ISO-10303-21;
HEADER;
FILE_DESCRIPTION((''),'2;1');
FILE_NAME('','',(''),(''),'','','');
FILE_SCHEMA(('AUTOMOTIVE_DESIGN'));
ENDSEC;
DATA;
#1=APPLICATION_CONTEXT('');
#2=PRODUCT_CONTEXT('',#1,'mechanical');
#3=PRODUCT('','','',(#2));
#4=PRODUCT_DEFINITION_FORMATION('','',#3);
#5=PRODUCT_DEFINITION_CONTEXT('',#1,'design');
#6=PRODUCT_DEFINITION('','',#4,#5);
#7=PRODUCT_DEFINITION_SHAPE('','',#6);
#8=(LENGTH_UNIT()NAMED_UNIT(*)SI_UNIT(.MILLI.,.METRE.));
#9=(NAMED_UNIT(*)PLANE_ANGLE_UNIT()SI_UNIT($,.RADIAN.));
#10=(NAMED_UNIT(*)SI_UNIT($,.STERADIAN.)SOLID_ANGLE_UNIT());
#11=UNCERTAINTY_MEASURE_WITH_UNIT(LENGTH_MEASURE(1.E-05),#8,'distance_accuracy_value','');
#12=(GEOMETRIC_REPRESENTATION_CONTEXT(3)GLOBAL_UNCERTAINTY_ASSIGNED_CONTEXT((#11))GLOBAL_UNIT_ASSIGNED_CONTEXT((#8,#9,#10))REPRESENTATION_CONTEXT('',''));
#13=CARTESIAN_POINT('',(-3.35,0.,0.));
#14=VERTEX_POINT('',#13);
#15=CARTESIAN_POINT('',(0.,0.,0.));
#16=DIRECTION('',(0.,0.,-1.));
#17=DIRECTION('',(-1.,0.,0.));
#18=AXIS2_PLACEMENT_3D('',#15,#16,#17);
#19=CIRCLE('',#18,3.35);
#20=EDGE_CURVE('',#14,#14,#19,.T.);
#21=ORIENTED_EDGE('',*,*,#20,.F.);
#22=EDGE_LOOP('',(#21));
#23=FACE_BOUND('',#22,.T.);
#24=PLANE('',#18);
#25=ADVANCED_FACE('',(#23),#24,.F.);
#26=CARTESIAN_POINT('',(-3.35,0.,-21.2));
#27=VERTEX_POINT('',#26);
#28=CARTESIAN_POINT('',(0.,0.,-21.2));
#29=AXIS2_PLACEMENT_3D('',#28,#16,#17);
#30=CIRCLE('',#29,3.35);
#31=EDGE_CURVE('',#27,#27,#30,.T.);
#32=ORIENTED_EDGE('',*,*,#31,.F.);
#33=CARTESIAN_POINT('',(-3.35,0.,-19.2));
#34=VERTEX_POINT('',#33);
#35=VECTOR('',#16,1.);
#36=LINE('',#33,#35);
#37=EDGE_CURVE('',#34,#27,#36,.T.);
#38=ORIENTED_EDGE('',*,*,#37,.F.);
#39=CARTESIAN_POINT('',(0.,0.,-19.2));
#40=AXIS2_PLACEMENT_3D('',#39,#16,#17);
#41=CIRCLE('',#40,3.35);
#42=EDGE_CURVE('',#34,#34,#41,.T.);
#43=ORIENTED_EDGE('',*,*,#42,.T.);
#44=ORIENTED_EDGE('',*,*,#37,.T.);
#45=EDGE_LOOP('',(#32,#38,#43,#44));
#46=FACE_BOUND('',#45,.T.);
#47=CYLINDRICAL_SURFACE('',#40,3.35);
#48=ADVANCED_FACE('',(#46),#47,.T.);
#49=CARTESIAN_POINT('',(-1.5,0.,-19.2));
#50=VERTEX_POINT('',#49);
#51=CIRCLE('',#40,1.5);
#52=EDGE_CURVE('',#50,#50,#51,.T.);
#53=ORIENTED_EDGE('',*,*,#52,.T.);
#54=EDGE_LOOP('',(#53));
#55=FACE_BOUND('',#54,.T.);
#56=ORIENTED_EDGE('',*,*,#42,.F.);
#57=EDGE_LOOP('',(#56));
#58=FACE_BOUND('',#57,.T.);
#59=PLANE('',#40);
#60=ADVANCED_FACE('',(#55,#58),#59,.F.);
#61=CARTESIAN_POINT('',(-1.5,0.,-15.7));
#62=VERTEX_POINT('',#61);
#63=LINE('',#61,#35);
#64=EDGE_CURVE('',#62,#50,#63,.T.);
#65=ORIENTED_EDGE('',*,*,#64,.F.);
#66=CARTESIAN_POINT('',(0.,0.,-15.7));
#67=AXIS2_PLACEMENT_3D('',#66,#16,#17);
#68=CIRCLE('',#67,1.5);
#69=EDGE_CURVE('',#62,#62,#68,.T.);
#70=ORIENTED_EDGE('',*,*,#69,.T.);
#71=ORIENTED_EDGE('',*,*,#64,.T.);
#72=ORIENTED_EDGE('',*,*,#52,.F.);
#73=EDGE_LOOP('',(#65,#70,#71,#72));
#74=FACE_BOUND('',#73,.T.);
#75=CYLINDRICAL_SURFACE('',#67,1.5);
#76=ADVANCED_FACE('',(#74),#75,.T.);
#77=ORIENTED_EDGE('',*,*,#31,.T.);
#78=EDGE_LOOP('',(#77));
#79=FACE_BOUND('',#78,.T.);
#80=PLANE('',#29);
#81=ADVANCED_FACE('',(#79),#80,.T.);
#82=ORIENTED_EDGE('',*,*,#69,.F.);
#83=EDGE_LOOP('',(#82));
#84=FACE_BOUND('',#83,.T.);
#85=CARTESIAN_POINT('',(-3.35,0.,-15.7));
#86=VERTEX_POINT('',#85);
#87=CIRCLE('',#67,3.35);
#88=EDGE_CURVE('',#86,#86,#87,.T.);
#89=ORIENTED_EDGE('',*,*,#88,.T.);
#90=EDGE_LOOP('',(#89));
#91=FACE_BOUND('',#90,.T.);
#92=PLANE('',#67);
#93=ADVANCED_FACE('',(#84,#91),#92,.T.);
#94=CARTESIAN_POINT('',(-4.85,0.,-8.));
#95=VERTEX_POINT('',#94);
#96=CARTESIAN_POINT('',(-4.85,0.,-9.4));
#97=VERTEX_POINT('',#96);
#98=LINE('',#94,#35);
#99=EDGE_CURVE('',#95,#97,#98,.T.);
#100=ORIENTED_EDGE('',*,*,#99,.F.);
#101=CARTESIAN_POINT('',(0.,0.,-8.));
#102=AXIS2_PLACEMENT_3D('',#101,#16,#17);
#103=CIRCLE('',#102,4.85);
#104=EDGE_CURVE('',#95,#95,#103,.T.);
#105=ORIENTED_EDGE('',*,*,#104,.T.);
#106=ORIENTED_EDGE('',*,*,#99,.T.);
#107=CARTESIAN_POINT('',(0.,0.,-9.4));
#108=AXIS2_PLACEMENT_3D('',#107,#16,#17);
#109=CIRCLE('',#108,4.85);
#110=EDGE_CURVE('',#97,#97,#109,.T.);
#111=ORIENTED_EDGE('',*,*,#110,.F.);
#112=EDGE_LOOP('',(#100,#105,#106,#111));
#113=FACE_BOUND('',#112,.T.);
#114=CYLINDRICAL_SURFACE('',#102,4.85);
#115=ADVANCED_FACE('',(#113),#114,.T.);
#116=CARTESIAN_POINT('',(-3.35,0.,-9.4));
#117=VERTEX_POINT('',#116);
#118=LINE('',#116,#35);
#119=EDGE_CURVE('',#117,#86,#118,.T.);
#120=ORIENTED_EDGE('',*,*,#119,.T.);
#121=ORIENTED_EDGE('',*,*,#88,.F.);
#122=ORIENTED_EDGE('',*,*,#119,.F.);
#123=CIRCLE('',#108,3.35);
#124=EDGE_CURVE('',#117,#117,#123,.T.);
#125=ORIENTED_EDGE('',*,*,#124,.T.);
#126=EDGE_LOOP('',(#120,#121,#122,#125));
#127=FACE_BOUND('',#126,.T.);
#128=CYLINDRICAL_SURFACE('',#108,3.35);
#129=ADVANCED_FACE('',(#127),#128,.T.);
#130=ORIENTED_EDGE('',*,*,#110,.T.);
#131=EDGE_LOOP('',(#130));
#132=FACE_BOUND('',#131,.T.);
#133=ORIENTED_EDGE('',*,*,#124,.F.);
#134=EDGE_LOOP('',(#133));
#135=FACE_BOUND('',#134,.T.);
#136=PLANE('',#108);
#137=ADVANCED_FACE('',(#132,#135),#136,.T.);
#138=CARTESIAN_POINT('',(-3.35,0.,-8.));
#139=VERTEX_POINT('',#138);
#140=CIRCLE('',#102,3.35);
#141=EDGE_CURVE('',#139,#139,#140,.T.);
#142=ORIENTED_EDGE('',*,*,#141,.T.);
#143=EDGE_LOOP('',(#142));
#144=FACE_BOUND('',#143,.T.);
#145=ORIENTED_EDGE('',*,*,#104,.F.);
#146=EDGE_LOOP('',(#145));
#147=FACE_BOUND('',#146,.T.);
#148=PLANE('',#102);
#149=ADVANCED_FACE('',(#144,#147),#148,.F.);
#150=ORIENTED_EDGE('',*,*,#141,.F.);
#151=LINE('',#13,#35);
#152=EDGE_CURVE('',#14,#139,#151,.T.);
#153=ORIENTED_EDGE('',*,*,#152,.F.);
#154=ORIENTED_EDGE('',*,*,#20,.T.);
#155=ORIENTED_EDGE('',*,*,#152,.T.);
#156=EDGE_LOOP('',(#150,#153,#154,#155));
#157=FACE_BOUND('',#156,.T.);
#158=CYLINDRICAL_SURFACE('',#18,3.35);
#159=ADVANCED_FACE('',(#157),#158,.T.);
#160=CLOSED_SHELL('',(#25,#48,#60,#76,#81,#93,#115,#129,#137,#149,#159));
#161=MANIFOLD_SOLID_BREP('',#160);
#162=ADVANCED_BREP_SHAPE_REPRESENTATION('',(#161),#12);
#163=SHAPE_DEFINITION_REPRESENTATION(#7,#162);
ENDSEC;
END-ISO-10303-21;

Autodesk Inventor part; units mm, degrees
ref_plane "YZ Plane" through (0, 0, 0) normal (1, 0, 0) x (0, 1, 0)
ref_plane "XZ Plane" through (0, 0, 0) normal (0, 1, 0) x (-1, 0, 0)
ref_plane "XY Plane" through (0, 0, 0) normal (0, 0, 1) x (1, 0, 0)
sketch "Skizze1" plane through (0, 0, 0) normal (0, 1, 0) x (-1, 0, 0)
  line L0 (0, 0) -> (3.35, 0)
  line L1 (3.35, 0) -> (3.35, -8)
  line L2 (3.35, -8) -> (4.85, -8)
  line L3 (4.85, -8) -> (4.85, -9.4)
  line L4 (4.85, -9.4) -> (3.35, -9.4)
  line L5 (3.35, -9.4) -> (3.35, -15.7)
  line L6 (3.35, -15.7) -> (1.5, -15.7)
  line L7 (1.5, -15.7) -> (1.5, -19.2)
  line L8 (1.5, -19.2) -> (3.35, -19.2)
  line L9 (3.35, -19.2) -> (3.35, -21.2)
  line L10 (3.35, -21.2) -> (0, -21.2)
  line L11 (0, 0) -> (0, -21.2)
  dimension "d0" = 3.35
  dimension "d1" = 8
  dimension "d3" = 5.5
  dimension "d4" = 11.8
  dimension "d5" = 21.2
  dimension "d6" = 2
  dimension "d7" = 1.5
  dimension "d10" = 4.85
revolve "Umdrehung1" add sketch "Skizze1" angle 360 about axis through (0, 0, 0) along (0, 0, -1)
properties part number "licht_taster"
